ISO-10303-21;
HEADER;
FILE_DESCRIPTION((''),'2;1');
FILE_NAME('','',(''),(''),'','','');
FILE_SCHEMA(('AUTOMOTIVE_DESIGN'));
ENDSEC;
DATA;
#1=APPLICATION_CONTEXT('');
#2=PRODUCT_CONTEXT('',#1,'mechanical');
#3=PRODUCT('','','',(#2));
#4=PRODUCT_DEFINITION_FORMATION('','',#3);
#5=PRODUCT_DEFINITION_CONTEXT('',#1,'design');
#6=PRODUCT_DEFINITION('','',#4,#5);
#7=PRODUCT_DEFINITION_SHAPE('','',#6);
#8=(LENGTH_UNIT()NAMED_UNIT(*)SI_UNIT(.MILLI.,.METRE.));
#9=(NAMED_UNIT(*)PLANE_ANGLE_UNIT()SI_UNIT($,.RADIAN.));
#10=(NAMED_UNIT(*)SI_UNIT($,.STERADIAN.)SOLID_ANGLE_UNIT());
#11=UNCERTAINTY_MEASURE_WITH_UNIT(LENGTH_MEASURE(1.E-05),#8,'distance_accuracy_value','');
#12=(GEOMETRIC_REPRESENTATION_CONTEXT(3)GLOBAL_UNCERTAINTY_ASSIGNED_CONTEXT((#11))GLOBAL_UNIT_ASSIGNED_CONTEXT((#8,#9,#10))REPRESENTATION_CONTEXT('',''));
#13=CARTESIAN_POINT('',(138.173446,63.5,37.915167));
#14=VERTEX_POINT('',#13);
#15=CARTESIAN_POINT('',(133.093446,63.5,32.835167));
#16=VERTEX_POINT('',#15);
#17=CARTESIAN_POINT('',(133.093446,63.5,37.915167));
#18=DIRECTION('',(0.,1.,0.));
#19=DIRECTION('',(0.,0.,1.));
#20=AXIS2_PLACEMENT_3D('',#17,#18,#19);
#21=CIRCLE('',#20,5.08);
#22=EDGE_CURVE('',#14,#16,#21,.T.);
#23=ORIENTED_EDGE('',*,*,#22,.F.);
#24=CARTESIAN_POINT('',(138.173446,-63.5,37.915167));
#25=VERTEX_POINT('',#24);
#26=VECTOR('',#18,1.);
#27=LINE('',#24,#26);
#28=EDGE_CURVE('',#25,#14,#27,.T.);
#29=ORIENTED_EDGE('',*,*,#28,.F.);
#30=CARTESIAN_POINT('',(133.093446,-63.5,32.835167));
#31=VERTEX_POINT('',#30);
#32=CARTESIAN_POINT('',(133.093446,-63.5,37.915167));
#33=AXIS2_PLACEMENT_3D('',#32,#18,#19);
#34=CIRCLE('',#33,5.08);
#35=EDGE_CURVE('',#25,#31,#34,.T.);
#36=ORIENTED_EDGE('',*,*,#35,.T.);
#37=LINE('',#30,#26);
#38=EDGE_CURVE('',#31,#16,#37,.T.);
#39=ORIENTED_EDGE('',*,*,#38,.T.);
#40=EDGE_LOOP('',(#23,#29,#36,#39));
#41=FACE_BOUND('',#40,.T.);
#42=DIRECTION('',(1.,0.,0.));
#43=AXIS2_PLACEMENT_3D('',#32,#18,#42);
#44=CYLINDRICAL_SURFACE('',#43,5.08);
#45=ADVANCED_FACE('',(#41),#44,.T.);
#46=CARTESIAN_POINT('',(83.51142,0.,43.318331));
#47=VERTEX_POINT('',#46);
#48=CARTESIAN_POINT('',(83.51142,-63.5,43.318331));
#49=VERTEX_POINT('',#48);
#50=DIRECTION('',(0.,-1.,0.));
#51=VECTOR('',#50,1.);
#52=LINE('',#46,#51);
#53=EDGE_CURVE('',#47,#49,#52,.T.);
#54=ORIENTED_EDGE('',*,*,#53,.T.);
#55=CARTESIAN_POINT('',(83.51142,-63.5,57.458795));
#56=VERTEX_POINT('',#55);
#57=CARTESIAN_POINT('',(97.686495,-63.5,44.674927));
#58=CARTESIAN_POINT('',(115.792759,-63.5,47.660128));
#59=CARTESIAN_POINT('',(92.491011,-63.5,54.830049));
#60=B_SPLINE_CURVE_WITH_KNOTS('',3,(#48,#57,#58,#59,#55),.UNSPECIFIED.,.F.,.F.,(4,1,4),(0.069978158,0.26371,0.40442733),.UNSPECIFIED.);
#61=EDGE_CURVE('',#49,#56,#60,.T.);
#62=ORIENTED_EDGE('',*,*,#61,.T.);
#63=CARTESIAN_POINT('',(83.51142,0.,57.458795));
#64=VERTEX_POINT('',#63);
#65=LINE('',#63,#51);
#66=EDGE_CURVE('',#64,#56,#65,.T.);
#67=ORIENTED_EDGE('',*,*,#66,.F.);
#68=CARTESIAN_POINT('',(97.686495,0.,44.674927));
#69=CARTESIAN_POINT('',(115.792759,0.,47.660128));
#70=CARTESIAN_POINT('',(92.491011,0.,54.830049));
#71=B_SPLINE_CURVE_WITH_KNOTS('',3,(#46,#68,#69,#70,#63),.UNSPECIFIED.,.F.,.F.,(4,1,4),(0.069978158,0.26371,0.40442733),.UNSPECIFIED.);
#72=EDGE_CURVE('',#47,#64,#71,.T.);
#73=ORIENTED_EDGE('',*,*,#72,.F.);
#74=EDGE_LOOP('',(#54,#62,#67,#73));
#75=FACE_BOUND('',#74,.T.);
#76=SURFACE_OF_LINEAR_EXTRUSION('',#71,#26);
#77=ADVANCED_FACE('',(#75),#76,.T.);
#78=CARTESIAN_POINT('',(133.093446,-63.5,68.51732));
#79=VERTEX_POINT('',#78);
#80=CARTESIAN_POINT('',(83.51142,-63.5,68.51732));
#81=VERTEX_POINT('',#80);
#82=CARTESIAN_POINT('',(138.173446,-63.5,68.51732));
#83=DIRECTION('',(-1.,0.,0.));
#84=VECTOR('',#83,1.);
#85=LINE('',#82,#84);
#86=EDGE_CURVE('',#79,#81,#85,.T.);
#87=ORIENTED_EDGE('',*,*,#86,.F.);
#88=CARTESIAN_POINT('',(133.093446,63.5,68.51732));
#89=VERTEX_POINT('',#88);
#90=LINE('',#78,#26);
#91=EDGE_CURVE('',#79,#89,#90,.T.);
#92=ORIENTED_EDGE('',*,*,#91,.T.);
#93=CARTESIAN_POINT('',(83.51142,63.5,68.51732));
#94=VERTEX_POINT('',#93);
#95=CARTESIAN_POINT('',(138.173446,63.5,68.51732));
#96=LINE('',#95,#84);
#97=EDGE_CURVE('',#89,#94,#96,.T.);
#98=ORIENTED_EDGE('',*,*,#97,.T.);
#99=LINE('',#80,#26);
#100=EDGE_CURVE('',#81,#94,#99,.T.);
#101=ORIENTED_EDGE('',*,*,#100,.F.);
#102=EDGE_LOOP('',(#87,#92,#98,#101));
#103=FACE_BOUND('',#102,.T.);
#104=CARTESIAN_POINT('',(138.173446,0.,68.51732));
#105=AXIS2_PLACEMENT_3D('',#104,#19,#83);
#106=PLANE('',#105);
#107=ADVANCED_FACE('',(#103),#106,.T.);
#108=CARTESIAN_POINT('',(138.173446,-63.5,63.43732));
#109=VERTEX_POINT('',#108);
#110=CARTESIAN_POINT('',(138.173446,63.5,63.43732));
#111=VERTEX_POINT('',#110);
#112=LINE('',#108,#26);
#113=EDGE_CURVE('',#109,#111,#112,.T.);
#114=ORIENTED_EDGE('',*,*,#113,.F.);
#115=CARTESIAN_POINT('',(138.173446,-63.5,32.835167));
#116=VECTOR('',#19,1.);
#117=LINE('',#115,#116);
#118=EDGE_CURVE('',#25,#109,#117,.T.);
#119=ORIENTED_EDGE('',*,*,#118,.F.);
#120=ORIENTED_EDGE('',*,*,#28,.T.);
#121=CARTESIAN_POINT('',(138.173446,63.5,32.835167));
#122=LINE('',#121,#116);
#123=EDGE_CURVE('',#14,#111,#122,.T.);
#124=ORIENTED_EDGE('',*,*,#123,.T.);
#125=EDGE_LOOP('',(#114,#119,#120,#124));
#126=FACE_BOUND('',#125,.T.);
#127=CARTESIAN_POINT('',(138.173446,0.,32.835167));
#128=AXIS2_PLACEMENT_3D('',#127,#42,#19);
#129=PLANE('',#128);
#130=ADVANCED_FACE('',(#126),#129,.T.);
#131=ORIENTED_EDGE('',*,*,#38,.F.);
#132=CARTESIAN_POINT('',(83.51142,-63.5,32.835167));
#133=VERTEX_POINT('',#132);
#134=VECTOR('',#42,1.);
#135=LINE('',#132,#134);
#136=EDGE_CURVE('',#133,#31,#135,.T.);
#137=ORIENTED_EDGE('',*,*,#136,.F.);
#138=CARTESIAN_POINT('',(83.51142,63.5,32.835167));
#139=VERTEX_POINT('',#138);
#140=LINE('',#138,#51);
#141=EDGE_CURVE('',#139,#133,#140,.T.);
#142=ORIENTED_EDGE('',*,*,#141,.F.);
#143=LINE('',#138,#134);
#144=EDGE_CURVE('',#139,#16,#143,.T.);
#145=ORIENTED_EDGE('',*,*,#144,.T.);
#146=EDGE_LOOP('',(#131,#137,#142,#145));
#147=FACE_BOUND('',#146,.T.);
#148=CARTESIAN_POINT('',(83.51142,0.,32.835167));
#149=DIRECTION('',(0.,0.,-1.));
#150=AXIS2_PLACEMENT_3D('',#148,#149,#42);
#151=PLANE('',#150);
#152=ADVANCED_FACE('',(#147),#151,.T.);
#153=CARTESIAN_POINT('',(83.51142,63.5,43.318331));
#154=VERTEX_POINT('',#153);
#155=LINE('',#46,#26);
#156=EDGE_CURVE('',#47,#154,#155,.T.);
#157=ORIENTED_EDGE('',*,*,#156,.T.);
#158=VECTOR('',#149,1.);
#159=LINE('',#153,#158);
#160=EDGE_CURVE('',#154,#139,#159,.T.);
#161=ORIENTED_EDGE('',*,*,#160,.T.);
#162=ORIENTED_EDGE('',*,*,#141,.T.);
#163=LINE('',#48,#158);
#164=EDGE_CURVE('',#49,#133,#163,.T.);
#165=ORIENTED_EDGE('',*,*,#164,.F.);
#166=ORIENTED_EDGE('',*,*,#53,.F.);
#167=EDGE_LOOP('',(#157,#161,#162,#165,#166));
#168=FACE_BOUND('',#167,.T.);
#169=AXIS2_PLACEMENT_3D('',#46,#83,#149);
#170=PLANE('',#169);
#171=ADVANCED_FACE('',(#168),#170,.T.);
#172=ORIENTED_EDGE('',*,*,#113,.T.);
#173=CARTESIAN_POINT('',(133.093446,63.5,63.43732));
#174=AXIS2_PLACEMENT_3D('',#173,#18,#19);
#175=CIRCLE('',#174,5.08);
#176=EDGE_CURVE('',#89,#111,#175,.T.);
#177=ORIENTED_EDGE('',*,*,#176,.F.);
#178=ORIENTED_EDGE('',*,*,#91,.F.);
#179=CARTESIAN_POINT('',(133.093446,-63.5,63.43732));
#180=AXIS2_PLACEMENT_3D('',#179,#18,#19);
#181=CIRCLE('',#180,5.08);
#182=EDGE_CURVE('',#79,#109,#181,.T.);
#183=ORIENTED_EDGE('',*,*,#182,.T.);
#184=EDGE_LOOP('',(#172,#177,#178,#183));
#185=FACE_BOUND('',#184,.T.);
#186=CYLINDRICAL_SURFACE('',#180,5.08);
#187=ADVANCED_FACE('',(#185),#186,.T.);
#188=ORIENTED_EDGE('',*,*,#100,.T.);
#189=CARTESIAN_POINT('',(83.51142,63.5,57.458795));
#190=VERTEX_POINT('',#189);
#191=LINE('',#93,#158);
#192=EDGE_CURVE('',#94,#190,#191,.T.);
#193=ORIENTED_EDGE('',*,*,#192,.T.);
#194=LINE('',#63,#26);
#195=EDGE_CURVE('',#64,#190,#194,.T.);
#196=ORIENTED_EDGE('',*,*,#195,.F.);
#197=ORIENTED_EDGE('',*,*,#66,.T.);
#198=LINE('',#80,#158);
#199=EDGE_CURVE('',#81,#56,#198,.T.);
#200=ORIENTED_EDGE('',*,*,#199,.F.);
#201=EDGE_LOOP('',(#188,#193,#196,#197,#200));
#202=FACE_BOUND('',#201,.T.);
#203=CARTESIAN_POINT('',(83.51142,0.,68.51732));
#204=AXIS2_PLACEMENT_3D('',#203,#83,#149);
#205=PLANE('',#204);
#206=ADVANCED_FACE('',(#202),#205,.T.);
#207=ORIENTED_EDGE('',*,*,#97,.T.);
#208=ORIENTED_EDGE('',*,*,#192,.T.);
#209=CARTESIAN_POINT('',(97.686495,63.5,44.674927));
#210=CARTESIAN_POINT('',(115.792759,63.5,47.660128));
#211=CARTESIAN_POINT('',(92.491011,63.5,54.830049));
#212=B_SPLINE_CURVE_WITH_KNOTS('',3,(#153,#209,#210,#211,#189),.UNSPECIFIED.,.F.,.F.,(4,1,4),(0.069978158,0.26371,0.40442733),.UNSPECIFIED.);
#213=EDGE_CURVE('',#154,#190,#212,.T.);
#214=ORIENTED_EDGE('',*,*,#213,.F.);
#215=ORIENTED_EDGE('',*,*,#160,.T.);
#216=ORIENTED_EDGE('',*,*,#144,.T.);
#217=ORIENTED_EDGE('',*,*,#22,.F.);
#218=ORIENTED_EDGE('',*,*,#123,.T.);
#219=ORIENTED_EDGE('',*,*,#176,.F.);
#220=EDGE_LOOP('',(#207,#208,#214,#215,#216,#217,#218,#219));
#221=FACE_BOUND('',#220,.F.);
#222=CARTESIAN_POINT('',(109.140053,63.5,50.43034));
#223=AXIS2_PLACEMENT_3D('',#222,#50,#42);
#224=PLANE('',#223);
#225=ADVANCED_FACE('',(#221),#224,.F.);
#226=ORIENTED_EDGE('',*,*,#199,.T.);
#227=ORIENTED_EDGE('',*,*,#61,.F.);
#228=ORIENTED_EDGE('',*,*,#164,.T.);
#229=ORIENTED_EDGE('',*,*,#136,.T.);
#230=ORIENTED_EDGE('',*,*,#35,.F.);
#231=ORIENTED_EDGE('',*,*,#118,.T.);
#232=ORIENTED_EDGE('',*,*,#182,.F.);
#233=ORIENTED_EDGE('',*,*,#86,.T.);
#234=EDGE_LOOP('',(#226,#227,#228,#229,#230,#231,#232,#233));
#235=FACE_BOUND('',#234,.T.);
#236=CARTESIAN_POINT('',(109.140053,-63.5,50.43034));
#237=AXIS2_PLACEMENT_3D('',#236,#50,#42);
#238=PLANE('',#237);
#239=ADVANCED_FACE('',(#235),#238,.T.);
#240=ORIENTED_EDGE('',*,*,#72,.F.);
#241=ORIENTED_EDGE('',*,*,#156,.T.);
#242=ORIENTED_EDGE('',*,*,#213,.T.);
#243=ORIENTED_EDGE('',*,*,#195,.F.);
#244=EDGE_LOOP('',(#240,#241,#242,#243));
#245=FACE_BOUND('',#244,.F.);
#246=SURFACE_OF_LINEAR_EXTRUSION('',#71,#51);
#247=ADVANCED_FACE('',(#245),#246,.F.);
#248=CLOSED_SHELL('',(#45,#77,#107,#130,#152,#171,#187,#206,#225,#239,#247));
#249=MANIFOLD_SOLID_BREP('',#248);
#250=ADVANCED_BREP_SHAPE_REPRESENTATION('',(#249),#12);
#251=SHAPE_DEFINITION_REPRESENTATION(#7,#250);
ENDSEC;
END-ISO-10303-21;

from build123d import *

# Parameters (mm, degrees)
F1_DEPTH = 63.5
F2_R     = 5.08


with BuildPart() as f1:
    # F0 (on Front) → F1 (new body, symmetric)
    with BuildSketch(Plane.XZ):
        with BuildLine():
            Line((83.5114195943, 68.5173198581), (83.5114195943, 57.4587951158))
            add(Edge.make_bspline(
                [(83.5114195943, 43.318330771), (97.6864954558, 44.6749269215), (115.7927588569, 47.6601282656), (92.4910106791, 54.8300490471), (83.5114195943, 57.4587951158)],
                knots=[0.069978158, 0.069978158, 0.069978158, 0.069978158, 0.2637100005, 0.4044273301, 0.4044273301, 0.4044273301, 0.4044273301], degree=3))
            Line((83.5114195943, 43.318330771), (83.5114195943, 32.8351669014))
            Line((83.5114195943, 32.8351669014), (138.1734460592, 32.8351669014))
            Line((138.1734460592, 32.8351669014), (138.1734460592, 68.5173198581))
            Line((138.1734460592, 68.5173198581), (83.5114195943, 68.5173198581))
        make_face()
    extrude(amount=F1_DEPTH, both=True)

    # F2
    f2_edges = [f1.edges().sort_by_distance(p)[0] for p in [
        (138.173446, 0, 32.835167),
        (138.173446, 0, 68.51732),
    ]]
    fillet(f2_edges, radius=F2_R)


solid = f1.part
